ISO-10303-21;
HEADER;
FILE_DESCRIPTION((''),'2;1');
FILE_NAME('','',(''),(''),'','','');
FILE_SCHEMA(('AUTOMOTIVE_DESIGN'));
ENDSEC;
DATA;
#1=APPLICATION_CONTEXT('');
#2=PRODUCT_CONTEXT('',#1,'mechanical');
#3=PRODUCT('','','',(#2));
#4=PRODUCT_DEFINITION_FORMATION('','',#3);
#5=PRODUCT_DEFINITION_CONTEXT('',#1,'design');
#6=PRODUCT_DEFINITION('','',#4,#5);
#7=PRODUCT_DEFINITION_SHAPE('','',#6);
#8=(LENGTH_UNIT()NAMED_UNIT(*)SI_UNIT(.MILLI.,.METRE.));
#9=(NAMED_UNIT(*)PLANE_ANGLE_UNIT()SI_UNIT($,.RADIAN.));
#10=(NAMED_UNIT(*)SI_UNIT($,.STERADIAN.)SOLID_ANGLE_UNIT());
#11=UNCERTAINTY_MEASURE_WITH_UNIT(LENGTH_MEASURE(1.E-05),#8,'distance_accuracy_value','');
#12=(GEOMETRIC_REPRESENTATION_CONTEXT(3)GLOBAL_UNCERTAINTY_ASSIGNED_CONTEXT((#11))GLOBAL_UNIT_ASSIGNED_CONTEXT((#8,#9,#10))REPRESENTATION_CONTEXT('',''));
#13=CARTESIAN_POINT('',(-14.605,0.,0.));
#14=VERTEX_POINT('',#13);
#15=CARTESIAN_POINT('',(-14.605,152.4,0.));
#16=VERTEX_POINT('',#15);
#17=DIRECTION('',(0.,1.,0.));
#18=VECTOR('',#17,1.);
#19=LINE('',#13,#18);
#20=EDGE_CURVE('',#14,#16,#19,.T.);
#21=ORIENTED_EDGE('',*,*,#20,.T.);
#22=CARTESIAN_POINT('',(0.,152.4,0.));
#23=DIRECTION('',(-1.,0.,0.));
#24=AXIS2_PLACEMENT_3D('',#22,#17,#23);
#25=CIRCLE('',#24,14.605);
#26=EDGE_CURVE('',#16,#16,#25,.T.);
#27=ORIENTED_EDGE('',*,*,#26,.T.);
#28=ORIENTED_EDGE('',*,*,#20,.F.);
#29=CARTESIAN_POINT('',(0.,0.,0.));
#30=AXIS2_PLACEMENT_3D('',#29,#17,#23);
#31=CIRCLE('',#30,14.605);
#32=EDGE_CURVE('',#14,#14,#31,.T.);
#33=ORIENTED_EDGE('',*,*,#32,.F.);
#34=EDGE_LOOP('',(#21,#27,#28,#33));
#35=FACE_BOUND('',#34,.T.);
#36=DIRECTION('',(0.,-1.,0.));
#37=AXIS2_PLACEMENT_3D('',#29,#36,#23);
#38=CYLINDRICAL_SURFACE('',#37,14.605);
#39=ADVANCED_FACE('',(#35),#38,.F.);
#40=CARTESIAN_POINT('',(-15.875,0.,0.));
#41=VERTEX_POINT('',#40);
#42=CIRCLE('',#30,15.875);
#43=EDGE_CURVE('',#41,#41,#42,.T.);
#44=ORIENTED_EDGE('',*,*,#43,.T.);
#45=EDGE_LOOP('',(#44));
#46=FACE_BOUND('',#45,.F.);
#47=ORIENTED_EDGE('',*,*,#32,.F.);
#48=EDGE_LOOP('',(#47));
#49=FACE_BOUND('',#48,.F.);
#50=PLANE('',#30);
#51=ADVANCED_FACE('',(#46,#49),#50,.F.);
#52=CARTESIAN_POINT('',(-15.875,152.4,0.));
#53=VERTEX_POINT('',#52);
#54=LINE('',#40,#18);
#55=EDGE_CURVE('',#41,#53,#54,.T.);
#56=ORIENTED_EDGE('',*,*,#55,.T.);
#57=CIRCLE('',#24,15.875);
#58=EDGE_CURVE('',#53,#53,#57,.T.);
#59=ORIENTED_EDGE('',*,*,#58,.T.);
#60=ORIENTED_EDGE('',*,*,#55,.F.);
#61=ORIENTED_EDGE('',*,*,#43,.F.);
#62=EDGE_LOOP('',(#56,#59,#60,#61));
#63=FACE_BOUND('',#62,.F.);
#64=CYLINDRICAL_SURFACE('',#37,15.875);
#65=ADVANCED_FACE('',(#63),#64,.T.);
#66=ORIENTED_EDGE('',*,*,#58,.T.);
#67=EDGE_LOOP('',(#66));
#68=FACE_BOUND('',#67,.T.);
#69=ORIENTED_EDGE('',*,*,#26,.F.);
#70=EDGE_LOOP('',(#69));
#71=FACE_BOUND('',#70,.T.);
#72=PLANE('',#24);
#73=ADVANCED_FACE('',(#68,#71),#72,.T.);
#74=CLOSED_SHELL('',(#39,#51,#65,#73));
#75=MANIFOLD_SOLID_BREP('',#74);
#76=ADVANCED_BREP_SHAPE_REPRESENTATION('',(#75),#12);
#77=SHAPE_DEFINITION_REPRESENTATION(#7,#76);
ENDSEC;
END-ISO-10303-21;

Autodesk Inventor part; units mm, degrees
ref_plane "YZ Plane" through (0, 0, 0) normal (1, 0, 0) x (0, 1, 0)
ref_plane "XZ Plane" through (0, 0, 0) normal (0, 1, 0) x (-1, 0, 0)
ref_plane "XY Plane" through (0, 0, 0) normal (0, 0, 1) x (1, 0, 0)
sketch "Sketch1" plane through (0, 0, 0) normal (0, 1, 0) x (-1, 0, 0)
  circle A0 centre (0, 0) radius 15.875
  circle A1 centre (0, 0) radius 14.605
  dimension "d0" = 31.75
  dimension "d1" = 29.21
extrude "Extrusion1" add sketch "Sketch1" along normal blind 152.4
properties part number "skid"
